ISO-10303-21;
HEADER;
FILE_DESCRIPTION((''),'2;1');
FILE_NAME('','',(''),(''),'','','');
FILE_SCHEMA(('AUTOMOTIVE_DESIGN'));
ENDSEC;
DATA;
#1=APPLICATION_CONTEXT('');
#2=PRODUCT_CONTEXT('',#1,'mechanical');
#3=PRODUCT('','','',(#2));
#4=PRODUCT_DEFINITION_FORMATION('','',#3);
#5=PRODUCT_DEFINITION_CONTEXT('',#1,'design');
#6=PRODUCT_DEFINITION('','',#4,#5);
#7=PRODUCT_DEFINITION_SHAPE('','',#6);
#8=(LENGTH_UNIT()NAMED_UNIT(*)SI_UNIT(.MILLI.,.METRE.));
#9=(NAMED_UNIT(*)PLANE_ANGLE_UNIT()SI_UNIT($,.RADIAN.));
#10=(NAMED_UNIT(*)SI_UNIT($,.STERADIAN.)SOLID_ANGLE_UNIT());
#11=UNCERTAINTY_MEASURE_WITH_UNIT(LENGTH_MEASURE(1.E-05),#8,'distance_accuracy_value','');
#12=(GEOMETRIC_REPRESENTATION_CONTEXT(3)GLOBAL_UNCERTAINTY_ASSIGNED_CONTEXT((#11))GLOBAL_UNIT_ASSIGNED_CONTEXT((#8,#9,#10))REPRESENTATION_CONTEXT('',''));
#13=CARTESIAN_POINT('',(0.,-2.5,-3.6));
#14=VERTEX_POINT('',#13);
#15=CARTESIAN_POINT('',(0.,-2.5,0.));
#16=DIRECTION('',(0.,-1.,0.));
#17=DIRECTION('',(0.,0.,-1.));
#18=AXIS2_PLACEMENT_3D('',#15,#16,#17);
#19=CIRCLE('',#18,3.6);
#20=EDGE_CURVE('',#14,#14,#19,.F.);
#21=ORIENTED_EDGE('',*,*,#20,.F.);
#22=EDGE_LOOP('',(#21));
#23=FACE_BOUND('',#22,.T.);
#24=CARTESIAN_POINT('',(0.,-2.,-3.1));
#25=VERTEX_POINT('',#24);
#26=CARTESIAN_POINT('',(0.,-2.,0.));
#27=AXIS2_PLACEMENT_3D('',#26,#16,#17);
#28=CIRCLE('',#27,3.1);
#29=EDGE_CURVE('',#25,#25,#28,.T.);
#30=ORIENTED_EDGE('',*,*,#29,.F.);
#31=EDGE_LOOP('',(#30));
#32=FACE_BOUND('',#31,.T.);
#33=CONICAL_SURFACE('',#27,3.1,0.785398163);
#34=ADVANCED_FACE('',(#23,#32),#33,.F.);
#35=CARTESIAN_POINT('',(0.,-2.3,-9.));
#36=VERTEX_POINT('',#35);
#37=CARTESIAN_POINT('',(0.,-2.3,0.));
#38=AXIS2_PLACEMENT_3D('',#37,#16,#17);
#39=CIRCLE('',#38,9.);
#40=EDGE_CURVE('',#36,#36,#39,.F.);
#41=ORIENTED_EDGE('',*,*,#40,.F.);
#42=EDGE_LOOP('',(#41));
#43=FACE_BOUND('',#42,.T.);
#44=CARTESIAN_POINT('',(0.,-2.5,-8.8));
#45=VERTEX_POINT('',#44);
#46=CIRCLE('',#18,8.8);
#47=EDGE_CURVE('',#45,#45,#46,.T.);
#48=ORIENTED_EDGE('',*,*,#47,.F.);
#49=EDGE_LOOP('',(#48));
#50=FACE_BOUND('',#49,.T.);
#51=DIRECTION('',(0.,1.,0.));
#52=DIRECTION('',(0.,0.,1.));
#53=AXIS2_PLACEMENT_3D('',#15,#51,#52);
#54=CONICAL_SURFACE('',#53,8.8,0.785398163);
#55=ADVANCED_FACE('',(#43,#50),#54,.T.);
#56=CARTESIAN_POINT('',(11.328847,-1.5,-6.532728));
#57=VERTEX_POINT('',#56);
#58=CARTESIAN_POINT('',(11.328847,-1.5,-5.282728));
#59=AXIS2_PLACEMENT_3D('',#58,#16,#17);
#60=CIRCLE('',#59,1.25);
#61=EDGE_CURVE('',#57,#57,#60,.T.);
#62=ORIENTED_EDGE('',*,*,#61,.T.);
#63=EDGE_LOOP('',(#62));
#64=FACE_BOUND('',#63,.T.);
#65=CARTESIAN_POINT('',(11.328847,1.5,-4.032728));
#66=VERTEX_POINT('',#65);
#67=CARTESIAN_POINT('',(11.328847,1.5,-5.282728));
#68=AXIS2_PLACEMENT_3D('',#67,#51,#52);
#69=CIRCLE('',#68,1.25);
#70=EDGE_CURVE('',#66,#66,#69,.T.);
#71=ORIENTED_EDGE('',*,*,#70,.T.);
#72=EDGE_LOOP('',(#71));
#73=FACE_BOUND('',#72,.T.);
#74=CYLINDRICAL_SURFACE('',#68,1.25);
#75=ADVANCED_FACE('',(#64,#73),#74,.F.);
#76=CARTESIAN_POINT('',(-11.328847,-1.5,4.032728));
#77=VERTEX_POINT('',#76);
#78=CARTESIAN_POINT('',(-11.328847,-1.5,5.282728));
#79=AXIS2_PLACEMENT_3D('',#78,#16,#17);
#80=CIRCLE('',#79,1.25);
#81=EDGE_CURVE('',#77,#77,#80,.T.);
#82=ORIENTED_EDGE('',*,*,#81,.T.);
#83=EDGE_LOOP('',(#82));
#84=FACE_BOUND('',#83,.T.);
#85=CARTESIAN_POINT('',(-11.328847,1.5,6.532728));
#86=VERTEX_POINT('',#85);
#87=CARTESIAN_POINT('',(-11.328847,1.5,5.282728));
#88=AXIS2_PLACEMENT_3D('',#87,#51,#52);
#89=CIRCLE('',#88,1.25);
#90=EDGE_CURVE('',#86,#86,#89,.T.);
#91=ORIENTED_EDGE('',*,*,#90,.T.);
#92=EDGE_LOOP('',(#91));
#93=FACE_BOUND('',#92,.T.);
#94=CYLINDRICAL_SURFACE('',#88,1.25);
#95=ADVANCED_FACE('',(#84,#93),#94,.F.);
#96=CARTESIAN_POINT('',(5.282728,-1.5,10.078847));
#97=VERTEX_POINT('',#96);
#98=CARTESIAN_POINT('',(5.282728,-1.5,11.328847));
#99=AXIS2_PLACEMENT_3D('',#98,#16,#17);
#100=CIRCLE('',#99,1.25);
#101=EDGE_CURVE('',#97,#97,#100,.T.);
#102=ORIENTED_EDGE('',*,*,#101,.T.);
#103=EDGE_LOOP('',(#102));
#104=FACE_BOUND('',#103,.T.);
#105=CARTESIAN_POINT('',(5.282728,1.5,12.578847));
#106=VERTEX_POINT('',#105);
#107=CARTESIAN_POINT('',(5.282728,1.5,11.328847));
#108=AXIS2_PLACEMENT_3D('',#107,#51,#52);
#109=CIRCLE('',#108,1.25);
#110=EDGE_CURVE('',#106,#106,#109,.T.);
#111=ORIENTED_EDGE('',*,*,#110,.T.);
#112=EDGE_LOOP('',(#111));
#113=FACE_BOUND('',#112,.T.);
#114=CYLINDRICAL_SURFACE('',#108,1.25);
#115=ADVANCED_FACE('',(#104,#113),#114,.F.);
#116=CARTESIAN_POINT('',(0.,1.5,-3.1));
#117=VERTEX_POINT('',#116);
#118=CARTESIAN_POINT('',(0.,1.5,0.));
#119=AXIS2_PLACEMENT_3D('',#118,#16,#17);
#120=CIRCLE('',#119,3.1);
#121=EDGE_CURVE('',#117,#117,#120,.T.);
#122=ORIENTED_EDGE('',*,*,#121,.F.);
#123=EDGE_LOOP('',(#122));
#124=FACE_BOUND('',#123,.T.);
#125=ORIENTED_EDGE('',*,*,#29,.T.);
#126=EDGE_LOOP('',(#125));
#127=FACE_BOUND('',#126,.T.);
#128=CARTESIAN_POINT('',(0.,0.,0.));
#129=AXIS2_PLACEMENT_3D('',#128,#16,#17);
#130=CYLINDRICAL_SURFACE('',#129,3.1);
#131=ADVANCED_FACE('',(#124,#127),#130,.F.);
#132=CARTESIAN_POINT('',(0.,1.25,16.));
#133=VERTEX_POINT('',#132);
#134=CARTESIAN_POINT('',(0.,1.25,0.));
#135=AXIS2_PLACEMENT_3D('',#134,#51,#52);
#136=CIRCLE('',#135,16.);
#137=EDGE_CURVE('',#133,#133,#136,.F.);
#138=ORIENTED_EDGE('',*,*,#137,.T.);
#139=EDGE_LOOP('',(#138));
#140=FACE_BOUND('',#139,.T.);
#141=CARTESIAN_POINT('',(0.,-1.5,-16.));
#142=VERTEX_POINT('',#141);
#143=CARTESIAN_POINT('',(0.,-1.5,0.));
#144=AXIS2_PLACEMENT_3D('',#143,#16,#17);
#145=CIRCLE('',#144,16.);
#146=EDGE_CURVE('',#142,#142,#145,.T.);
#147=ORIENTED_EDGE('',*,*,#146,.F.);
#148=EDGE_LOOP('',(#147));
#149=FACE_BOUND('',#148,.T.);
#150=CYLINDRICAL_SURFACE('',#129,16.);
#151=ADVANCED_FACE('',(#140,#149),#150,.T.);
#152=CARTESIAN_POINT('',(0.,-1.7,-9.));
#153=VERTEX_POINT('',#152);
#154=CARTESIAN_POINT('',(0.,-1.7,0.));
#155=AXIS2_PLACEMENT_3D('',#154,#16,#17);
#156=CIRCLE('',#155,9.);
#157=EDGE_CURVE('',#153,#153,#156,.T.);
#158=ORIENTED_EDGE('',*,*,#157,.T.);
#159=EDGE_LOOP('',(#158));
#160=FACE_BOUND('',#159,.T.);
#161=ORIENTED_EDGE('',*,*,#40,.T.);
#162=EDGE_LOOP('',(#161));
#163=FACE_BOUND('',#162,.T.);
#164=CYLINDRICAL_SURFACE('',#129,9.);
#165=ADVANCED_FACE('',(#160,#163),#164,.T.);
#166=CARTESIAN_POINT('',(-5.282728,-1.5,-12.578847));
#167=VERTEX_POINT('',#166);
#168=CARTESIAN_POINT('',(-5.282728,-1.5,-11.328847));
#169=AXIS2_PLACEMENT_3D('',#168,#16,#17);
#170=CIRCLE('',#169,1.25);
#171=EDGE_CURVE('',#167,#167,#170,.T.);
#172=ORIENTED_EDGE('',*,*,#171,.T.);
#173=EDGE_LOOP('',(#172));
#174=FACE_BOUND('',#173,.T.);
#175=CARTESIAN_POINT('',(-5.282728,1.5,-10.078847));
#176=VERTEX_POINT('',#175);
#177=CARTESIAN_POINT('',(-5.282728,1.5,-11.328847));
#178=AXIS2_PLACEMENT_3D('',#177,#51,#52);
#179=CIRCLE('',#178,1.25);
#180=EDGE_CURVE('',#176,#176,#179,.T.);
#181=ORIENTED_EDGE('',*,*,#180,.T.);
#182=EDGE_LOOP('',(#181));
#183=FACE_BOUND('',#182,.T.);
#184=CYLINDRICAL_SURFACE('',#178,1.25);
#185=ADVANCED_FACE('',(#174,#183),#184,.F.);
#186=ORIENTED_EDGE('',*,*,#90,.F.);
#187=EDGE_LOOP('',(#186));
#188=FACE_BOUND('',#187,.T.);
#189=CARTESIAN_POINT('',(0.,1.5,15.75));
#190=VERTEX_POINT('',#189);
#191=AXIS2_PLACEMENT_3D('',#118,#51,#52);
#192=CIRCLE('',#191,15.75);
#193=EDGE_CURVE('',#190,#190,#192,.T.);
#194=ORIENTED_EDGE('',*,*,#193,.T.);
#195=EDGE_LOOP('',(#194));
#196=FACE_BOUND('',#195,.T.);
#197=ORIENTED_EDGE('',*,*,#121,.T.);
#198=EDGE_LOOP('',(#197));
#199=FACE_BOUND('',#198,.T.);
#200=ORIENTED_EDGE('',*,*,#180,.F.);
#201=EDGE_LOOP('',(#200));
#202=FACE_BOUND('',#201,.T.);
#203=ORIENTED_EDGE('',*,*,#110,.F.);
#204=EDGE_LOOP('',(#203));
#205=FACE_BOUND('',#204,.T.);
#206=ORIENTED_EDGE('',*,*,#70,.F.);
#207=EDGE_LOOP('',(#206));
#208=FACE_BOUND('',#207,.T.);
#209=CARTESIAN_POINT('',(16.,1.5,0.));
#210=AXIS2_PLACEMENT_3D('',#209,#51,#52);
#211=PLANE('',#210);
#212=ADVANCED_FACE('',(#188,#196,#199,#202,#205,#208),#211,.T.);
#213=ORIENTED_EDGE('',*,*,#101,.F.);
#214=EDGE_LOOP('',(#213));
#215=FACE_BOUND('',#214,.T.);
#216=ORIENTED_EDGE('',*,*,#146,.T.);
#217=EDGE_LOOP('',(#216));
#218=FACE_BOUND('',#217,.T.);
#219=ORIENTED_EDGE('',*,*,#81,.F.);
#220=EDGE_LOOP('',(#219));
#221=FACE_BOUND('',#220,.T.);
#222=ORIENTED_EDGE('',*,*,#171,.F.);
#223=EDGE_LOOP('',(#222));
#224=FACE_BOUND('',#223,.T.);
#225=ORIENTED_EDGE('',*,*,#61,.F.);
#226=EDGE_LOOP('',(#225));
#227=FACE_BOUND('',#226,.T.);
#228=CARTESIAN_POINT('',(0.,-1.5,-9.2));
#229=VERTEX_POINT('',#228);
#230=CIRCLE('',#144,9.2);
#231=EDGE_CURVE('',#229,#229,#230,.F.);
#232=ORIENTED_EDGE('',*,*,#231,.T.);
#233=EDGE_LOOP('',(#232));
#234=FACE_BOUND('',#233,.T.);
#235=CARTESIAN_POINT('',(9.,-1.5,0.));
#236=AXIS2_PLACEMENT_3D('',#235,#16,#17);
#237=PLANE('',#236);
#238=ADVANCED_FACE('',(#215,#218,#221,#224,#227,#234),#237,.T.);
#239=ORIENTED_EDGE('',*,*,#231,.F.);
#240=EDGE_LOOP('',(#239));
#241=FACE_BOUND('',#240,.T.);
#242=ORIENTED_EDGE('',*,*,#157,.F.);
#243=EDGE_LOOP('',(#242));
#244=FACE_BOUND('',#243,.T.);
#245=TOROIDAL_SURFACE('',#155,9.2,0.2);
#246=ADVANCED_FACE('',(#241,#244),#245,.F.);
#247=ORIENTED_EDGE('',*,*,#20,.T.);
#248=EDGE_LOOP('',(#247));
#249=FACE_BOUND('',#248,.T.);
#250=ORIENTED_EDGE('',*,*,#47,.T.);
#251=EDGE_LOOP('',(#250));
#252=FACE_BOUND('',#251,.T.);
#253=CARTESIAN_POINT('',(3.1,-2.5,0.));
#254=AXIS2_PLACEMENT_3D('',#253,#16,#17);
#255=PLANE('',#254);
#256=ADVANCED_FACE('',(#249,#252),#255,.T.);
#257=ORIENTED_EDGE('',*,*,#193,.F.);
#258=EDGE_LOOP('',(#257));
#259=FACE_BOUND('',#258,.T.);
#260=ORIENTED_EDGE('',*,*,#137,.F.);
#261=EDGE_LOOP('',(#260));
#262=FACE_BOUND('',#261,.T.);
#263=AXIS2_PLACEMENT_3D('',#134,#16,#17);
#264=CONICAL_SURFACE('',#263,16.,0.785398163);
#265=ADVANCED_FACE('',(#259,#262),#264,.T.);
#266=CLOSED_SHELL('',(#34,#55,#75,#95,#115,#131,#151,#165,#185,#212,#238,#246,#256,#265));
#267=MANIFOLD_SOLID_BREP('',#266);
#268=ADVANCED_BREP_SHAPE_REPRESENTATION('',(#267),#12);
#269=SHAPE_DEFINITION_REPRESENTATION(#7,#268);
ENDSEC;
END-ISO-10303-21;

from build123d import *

# Parameters (mm, degrees)
CHANFRO1_SIZE                 = 0.5
FURO_ROSCADO_DE_M3X0_52_D     = 2.5
FURO_ROSCADO_DE_M3X0_52_DEPTH = 3.001
PADR_OCIRCULAR2_COUNT         = 4
CHANFRO2_SIZE                 = 0.2
CHANFRO3_SIZE                 = 0.25
FILETE3_R                     = 0.2


with BuildPart() as part:
    # Esboço1 → Revolução1 (revolve)
    with BuildSketch(Plane.XY):
        Polygon((3.1, 1.5), (3.1, -2.5), (9, -2.5), (9, -1.5), (16, -1.5), (16, 1.5), align=None)
    revolve(axis=Axis((0, 0, 0), (0, 1, 0)))

    # Chanfro1
    chanfro1_edges = [part.edges().sort_by_distance(p)[0] for p in [
        (-3.1, -2.5, 0),
    ]]
    chamfer(chanfro1_edges, length=CHANFRO1_SIZE)

    # Furo roscado de M3x0.52
    with Locations(Plane(origin=(0, 1.5, 0), x_dir=(1, 0, 0), z_dir=(0, 1, 0))):
        with Locations((11.328847338, 5.282728272)):
            furo_roscado_de_m3x0_52 = Hole(FURO_ROSCADO_DE_M3X0_52_D / 2, depth=FURO_ROSCADO_DE_M3X0_52_DEPTH)

    # PadrãoCircular2: Furo roscado de M3x0.52 ×4 about axis
    padr_ocircular2_axis = Axis((0, 0, 0), (0, 1, 0))
    for i in range(1, PADR_OCIRCULAR2_COUNT):
        add(furo_roscado_de_m3x0_52.rotate(padr_ocircular2_axis, i * 360 / PADR_OCIRCULAR2_COUNT), mode=Mode.SUBTRACT)

    # Chanfro2
    chanfro2_edges = [part.edges().sort_by_distance(p)[0] for p in [
        (-9, -2.5, 0),
    ]]
    chamfer(chanfro2_edges, length=CHANFRO2_SIZE)

    # Chanfro3
    chanfro3_edges = [part.edges().sort_by_distance(p)[0] for p in [
        (-16, 1.5, 0),
    ]]
    chamfer(chanfro3_edges, length=CHANFRO3_SIZE)

    # Filete3
    filete3_edges = [part.edges().sort_by_distance(p)[0] for p in [
        (-9, -1.5, 0),
    ]]
    fillet(filete3_edges, radius=FILETE3_R)


solid = part.part
